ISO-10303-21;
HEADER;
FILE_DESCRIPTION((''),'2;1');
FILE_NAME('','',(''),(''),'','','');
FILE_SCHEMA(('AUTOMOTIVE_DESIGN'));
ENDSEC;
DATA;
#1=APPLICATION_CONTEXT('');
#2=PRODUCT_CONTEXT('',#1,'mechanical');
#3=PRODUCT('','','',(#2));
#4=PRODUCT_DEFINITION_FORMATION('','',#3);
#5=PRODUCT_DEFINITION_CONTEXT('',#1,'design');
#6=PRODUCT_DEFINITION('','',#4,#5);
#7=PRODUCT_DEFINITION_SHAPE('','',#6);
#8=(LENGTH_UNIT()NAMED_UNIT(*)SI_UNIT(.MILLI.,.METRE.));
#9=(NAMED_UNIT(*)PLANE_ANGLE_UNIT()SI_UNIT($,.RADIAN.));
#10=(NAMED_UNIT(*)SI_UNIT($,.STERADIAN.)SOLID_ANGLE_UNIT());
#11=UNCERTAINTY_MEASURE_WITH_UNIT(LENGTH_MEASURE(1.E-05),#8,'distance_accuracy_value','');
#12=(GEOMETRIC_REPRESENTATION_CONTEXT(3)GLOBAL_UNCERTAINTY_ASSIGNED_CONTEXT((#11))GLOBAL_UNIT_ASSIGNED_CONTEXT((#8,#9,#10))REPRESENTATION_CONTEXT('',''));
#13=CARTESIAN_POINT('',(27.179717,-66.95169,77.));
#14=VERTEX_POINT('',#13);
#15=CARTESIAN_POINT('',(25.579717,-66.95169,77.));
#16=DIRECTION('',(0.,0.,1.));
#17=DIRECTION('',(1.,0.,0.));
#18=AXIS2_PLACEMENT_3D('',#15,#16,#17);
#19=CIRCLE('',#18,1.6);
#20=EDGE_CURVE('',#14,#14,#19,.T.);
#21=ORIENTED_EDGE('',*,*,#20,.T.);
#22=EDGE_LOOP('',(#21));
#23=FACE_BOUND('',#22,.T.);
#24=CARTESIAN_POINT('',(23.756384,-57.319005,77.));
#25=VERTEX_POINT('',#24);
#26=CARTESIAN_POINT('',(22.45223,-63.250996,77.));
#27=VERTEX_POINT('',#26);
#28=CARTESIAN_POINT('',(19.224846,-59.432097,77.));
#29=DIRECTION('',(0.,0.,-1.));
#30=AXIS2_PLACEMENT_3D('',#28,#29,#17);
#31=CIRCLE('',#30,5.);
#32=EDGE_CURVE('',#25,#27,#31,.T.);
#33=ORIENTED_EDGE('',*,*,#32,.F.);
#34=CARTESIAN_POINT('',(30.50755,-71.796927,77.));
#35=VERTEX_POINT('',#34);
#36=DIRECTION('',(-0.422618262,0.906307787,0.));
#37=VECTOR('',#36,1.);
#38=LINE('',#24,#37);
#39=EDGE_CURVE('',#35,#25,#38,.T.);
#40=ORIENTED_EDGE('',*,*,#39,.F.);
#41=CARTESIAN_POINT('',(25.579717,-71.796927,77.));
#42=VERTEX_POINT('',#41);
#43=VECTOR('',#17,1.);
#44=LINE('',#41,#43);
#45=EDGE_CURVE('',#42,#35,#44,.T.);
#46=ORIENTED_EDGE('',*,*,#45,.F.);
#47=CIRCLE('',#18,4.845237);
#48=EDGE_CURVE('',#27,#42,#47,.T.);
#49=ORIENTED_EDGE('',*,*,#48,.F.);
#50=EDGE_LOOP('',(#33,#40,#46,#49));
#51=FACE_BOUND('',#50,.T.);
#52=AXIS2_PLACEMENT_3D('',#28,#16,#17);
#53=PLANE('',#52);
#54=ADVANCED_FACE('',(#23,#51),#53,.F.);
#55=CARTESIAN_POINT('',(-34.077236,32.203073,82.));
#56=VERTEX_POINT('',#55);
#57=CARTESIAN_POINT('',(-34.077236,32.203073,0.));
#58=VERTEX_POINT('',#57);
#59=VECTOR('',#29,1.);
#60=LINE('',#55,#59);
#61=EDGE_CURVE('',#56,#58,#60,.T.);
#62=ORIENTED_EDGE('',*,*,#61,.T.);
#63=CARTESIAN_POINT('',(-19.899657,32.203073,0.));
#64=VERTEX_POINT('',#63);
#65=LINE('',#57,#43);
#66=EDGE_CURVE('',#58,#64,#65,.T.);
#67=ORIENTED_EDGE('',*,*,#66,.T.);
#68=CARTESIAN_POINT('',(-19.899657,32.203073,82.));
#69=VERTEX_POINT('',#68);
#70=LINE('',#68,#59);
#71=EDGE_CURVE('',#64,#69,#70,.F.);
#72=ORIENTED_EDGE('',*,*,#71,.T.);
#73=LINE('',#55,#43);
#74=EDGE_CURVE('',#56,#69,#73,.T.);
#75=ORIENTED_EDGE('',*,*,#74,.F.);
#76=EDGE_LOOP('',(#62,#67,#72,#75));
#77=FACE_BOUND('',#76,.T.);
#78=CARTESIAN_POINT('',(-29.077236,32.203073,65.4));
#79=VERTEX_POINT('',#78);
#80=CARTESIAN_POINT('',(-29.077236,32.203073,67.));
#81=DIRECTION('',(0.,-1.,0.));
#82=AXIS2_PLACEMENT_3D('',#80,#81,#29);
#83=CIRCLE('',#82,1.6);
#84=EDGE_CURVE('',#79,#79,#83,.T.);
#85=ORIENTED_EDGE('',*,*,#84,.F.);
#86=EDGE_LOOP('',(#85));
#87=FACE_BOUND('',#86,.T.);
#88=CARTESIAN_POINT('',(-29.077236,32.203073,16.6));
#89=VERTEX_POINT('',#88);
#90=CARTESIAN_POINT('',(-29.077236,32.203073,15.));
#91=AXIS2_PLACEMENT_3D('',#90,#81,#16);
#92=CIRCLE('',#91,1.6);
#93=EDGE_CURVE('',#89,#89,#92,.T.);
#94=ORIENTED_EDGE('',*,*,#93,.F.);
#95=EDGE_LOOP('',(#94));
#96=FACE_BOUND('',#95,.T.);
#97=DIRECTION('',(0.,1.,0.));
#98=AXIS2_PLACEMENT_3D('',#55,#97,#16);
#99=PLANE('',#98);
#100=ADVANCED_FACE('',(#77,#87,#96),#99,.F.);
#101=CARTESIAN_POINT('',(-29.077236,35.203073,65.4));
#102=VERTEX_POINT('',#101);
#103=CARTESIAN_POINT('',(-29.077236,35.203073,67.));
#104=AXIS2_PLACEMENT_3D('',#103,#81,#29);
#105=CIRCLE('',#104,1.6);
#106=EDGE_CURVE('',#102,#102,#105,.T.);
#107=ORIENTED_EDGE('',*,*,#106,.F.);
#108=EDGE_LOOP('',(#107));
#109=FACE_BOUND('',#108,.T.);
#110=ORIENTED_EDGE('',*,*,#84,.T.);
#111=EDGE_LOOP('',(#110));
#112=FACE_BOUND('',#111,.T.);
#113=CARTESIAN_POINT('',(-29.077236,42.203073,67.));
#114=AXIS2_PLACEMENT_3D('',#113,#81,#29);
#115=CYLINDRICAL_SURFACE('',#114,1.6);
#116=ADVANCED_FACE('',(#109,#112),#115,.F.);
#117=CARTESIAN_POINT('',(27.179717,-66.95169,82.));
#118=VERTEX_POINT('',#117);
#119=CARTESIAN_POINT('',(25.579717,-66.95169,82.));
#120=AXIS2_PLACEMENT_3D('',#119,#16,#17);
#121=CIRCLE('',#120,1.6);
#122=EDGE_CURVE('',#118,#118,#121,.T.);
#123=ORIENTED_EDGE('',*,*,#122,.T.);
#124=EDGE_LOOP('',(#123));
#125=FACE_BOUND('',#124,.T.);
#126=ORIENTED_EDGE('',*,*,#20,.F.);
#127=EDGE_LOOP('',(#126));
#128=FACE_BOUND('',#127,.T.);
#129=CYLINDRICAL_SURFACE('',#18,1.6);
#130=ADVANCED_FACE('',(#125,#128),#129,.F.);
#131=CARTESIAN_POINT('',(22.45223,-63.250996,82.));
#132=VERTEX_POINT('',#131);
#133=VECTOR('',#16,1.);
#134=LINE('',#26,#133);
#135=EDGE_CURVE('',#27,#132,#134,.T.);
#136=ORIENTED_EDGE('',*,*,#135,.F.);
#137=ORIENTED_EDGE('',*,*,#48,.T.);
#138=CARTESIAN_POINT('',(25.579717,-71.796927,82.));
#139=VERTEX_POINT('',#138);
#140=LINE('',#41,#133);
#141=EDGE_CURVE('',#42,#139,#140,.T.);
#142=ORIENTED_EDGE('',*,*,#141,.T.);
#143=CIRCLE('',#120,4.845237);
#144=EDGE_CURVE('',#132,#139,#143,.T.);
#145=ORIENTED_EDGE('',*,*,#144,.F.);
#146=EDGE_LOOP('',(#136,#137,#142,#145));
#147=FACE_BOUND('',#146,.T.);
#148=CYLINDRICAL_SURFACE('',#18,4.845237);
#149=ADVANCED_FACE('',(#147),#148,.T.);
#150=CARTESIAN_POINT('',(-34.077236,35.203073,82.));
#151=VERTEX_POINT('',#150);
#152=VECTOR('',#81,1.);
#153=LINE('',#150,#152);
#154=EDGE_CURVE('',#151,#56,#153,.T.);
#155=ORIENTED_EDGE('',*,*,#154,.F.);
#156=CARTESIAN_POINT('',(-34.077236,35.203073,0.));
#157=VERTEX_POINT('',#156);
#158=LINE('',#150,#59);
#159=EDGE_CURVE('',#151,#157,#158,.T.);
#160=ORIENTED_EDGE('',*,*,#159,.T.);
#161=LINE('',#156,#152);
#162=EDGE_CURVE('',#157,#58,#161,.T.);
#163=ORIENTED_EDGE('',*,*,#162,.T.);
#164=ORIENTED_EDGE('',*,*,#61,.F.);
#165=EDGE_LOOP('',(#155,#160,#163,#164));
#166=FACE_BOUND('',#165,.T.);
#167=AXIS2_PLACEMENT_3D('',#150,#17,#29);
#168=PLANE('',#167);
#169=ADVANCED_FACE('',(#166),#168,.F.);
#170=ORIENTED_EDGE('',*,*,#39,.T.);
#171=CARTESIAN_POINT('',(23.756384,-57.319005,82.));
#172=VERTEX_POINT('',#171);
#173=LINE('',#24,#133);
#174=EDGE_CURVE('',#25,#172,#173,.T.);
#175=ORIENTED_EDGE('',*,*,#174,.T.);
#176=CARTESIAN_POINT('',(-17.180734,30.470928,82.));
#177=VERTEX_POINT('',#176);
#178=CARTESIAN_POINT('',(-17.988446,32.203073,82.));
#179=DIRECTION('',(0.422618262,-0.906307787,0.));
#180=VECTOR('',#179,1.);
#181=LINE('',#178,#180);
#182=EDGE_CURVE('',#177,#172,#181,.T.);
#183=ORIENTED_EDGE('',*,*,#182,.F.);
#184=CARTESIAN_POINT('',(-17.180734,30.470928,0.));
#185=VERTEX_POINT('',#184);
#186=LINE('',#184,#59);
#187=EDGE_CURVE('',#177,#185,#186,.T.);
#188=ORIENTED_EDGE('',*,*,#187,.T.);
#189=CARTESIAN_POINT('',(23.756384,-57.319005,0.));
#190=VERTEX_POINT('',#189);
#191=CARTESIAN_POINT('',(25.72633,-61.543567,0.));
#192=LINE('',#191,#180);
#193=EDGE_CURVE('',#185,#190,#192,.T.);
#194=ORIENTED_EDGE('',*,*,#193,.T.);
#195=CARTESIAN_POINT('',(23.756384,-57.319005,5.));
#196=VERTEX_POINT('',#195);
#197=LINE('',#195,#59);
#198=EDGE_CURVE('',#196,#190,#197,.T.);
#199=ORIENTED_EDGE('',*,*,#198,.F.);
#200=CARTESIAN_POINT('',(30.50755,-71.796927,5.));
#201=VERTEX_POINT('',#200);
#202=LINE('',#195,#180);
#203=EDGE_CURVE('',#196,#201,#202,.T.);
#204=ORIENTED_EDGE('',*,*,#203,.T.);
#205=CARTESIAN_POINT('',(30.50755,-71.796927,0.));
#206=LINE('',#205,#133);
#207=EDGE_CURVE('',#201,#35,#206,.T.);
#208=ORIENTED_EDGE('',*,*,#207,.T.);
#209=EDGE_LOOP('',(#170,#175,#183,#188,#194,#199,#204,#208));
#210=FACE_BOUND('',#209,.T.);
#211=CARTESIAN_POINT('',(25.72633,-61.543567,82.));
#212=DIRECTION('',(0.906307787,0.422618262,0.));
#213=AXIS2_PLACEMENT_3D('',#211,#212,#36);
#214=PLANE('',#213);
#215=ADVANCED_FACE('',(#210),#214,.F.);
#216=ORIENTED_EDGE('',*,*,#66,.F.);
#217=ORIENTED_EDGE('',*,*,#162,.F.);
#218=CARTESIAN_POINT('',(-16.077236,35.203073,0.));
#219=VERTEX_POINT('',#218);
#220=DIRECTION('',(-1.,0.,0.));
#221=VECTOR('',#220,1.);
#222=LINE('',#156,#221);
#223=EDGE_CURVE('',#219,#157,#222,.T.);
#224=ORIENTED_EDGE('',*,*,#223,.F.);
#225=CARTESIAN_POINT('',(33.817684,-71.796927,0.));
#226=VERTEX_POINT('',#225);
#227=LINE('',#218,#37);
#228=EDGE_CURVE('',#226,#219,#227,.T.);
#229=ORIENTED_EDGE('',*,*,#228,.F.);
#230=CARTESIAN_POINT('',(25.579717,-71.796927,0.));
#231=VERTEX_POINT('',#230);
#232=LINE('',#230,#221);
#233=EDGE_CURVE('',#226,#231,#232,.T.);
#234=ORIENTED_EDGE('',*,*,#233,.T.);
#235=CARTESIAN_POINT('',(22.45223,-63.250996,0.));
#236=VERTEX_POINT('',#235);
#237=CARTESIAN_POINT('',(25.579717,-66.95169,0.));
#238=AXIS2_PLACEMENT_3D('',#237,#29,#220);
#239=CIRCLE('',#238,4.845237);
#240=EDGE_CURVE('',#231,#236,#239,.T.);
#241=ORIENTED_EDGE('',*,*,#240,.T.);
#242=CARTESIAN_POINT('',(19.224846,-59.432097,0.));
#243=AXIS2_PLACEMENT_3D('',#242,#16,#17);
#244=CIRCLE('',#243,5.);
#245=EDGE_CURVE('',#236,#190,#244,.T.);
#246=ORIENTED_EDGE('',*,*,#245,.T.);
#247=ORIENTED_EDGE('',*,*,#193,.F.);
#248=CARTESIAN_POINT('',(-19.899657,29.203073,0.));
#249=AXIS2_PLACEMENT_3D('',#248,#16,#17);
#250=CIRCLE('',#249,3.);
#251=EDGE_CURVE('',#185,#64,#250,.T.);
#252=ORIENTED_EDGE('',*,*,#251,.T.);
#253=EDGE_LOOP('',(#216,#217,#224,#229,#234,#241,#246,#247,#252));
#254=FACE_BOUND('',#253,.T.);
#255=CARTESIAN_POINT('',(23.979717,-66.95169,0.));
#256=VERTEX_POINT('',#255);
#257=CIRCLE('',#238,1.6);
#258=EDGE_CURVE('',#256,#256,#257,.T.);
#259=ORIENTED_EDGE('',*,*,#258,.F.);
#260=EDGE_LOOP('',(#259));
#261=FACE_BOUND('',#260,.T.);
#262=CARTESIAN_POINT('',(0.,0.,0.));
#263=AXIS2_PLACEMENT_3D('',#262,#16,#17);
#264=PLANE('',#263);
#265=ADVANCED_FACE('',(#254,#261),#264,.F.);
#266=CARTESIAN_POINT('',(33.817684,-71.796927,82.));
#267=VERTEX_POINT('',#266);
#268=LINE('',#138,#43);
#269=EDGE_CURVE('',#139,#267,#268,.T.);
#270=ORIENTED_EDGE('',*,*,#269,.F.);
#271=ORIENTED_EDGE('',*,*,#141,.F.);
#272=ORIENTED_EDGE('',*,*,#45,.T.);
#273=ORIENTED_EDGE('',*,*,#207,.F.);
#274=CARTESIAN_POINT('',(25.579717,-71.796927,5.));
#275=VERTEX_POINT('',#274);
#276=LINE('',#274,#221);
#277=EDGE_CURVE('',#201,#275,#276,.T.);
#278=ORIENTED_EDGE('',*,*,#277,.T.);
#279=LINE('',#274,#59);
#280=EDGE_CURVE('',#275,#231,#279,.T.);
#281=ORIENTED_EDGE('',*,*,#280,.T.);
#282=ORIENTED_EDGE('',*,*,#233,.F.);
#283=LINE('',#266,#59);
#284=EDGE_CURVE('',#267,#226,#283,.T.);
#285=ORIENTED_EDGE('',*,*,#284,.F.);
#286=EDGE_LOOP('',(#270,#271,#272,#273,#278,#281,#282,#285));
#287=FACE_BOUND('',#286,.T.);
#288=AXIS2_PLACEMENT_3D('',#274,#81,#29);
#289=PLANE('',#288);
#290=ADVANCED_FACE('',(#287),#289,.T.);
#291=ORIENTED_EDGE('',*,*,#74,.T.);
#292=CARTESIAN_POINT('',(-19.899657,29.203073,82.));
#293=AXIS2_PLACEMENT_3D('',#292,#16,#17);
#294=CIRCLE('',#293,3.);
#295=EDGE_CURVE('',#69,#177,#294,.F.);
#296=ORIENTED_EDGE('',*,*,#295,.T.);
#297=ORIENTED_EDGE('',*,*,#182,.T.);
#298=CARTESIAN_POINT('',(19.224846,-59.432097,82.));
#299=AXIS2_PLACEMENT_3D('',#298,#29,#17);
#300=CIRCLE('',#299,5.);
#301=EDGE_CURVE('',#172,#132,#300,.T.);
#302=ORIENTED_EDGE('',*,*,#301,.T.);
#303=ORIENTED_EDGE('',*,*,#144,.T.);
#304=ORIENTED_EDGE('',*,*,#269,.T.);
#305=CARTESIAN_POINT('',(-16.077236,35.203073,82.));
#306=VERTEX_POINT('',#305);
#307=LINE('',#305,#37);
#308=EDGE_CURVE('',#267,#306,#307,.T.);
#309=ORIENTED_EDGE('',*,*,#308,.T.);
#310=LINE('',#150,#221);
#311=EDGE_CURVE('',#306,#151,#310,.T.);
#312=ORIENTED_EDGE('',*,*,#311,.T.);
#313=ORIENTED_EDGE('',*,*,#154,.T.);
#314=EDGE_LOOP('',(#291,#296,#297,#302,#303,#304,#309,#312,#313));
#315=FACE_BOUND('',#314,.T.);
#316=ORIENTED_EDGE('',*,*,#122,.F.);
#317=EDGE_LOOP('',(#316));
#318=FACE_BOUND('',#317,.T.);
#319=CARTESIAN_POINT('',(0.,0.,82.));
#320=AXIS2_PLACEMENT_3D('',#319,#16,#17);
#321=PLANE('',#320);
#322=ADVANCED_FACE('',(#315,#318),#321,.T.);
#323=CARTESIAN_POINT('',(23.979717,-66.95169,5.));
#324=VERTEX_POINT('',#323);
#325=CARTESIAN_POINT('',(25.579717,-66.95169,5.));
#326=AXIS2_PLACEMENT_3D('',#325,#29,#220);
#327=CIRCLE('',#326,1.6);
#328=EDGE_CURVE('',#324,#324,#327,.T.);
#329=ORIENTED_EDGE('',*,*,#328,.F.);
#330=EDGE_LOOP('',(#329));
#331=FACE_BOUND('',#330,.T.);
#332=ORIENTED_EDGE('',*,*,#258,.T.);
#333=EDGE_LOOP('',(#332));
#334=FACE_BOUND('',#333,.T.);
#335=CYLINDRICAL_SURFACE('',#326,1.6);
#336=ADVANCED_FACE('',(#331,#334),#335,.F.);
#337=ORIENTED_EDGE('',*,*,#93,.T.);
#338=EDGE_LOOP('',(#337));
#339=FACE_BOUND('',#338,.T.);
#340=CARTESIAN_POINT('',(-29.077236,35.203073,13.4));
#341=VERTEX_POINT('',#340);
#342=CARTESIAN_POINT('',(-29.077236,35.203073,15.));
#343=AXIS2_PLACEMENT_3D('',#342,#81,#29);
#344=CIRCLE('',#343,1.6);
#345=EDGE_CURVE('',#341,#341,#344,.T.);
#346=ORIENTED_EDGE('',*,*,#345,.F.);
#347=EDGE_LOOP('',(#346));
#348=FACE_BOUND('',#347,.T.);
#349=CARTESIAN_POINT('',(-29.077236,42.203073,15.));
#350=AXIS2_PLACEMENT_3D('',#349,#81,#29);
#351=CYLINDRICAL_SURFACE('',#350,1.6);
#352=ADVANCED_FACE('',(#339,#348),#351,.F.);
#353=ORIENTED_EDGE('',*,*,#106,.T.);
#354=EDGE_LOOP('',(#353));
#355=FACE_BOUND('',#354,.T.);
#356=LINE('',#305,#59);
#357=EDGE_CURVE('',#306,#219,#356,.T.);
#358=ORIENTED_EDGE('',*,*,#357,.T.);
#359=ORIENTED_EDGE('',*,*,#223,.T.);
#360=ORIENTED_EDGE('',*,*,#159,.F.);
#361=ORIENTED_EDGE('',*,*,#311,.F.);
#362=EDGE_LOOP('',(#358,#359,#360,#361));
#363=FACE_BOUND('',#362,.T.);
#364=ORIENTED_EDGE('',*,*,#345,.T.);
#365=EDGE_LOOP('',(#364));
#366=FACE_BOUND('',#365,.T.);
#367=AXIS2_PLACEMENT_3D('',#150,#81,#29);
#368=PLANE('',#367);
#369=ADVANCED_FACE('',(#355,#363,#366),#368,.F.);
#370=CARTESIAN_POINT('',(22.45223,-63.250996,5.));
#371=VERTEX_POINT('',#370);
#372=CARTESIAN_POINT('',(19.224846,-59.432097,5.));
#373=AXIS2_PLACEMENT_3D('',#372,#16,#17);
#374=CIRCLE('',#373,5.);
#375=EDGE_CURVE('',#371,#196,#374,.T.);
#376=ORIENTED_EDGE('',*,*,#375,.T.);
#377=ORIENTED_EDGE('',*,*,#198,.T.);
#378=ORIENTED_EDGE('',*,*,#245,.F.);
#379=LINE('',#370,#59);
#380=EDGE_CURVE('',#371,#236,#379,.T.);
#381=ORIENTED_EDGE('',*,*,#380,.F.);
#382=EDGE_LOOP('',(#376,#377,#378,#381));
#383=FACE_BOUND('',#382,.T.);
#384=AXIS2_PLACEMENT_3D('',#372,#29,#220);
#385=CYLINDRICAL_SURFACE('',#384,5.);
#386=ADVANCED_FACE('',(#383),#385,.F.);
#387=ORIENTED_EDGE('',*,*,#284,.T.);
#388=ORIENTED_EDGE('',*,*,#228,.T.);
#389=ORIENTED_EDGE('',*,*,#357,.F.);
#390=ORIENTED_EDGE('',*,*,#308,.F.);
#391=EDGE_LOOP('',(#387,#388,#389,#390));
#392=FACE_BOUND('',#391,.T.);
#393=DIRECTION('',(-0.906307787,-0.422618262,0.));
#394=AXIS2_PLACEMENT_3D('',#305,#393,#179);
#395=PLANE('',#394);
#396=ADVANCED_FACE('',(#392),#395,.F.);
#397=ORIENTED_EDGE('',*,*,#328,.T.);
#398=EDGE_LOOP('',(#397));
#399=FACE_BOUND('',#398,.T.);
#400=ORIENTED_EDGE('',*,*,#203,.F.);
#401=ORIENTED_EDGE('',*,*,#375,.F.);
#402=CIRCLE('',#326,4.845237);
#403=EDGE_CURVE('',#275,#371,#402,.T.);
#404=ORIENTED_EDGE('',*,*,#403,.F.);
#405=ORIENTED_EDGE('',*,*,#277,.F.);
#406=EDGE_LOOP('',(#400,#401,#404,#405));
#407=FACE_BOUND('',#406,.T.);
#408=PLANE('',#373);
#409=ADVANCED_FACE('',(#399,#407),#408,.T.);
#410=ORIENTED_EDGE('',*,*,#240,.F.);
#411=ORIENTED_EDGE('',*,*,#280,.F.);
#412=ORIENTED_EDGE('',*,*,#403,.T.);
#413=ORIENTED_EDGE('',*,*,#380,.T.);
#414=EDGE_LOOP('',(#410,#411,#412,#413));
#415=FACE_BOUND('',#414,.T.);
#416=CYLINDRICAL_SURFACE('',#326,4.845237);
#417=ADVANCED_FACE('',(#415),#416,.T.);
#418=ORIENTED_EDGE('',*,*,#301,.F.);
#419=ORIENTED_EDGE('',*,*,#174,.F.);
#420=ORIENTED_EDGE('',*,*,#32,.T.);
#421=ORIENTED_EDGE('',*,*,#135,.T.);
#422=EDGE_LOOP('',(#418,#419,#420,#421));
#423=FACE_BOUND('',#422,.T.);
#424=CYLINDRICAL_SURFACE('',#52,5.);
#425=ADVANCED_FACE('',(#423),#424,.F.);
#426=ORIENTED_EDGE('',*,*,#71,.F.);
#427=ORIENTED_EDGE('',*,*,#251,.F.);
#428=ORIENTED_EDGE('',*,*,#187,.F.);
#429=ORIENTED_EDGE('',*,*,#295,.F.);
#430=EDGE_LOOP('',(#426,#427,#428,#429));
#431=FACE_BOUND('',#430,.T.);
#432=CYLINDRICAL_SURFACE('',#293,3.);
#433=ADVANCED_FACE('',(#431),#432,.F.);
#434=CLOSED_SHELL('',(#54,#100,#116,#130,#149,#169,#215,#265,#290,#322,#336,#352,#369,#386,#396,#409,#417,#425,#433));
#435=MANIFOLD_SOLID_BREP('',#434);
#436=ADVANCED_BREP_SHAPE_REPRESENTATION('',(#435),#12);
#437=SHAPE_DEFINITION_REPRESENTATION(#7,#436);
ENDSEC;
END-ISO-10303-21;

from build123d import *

# Parameters (mm, degrees)
EXTRUDE_1_DEPTH     = 82
SKETCH_4_R          = 1.6
CUT_EXTRUDE_1_DEPTH = 10
FILLET_1_R          = 3
SKETCH_5_R          = 1.6
EXTRUDE_2_DEPTH     = 5
EXTRUDE_START       = -5
SKETCH_6_R          = 1.6
EXTRUDE_3_DEPTH     = 5
SKETCH_7_W          = 5.946088912
SKETCH_7_H          = 0.873329624
CUT_EXTRUDE_2_DEPTH = 115.290435775


with BuildPart() as part:
    # 草图1 → 凸台-拉伸1 (new body)
    with BuildSketch(Plane.XY):
        Polygon((25.726329851, -61.543566927), (30.579717439, -71.951690196), (33.889851195, -71.951690196), (-16.077235621, 35.20307328), (-34.077235621, 35.20307328), (-34.077235621, 32.20307328), (-17.988446404, 32.20307328), align=None)
    extrude(amount=EXTRUDE_1_DEPTH)

    # 草图4 → 切除-拉伸1 (cut)
    with BuildSketch(Plane.XZ.offset(-32.20307328)):
        with Locations(Location((-29.077235621, 67, 0), (0, 0, 270))):
            Circle(SKETCH_4_R)
        with Locations(Location((-29.077235621, 15, 0), (0, 0, 270))):
            Circle(SKETCH_4_R)
    extrude(amount=-CUT_EXTRUDE_1_DEPTH, mode=Mode.SUBTRACT)

    # 圆角1
    fillet_1_edges = [part.edges().sort_by_distance(p)[0] for p in [
        (-17.988446404, 32.20307328, 41),
    ]]
    fillet(fillet_1_edges, radius=FILLET_1_R)

    # 草图5 → 凸台-拉伸2 (add)
    with BuildSketch(Plane(origin=(0, 0, 0), x_dir=(-1, 0, 0), z_dir=(0, 0, -1))):
        with BuildLine():
            Line((-25.579717439, -71.79692672), (-30.507550044, -71.79692672))
            Line((-30.507550044, -71.79692672), (-23.756384483, -57.319005451))
            ThreePointArc((-23.756384483, -57.319005451), (-24.108220381, -60.505712257), (-22.452229611, -63.250996092))
            ThreePointArc((-22.452229611, -63.250996092), (-21.029604517, -68.616859667), (-25.579717439, -71.79692672))
        make_face()
        with Locations((-25.579717439, -66.951690196)):
            Circle(SKETCH_5_R, mode=Mode.SUBTRACT)
    extrude(amount=-EXTRUDE_2_DEPTH)

    # 草图6 → 凸台-拉伸3 (add)
    with BuildSketch(Plane.XY.offset(82).offset(EXTRUDE_START)):
        with BuildLine():
            Line((25.579717439, -71.79692672), (30.507550044, -71.79692672))
            Line((30.507550044, -71.79692672), (23.756384483, -57.319005451))
            ThreePointArc((23.756384483, -57.319005451), (24.108220381, -60.505712257), (22.452229611, -63.250996092))
            ThreePointArc((22.452229611, -63.250996092), (21.029604517, -68.616859667), (25.579717439, -71.79692672))
        make_face()
        with Locations(Location((25.579717439, -66.951690196, 0), (0, 0, 180))):
            Circle(SKETCH_6_R, mode=Mode.SUBTRACT)
    extrude(amount=EXTRUDE_3_DEPTH)

    # 草图7 → 切除-拉伸2 (cut, through all)
    with BuildSketch(Plane.XY.offset(82)):
        with Locations((33.4805945, -72.233591532)):
            Rectangle(SKETCH_7_W, SKETCH_7_H)
    extrude(amount=-CUT_EXTRUDE_2_DEPTH, mode=Mode.SUBTRACT)


solid = part.part
